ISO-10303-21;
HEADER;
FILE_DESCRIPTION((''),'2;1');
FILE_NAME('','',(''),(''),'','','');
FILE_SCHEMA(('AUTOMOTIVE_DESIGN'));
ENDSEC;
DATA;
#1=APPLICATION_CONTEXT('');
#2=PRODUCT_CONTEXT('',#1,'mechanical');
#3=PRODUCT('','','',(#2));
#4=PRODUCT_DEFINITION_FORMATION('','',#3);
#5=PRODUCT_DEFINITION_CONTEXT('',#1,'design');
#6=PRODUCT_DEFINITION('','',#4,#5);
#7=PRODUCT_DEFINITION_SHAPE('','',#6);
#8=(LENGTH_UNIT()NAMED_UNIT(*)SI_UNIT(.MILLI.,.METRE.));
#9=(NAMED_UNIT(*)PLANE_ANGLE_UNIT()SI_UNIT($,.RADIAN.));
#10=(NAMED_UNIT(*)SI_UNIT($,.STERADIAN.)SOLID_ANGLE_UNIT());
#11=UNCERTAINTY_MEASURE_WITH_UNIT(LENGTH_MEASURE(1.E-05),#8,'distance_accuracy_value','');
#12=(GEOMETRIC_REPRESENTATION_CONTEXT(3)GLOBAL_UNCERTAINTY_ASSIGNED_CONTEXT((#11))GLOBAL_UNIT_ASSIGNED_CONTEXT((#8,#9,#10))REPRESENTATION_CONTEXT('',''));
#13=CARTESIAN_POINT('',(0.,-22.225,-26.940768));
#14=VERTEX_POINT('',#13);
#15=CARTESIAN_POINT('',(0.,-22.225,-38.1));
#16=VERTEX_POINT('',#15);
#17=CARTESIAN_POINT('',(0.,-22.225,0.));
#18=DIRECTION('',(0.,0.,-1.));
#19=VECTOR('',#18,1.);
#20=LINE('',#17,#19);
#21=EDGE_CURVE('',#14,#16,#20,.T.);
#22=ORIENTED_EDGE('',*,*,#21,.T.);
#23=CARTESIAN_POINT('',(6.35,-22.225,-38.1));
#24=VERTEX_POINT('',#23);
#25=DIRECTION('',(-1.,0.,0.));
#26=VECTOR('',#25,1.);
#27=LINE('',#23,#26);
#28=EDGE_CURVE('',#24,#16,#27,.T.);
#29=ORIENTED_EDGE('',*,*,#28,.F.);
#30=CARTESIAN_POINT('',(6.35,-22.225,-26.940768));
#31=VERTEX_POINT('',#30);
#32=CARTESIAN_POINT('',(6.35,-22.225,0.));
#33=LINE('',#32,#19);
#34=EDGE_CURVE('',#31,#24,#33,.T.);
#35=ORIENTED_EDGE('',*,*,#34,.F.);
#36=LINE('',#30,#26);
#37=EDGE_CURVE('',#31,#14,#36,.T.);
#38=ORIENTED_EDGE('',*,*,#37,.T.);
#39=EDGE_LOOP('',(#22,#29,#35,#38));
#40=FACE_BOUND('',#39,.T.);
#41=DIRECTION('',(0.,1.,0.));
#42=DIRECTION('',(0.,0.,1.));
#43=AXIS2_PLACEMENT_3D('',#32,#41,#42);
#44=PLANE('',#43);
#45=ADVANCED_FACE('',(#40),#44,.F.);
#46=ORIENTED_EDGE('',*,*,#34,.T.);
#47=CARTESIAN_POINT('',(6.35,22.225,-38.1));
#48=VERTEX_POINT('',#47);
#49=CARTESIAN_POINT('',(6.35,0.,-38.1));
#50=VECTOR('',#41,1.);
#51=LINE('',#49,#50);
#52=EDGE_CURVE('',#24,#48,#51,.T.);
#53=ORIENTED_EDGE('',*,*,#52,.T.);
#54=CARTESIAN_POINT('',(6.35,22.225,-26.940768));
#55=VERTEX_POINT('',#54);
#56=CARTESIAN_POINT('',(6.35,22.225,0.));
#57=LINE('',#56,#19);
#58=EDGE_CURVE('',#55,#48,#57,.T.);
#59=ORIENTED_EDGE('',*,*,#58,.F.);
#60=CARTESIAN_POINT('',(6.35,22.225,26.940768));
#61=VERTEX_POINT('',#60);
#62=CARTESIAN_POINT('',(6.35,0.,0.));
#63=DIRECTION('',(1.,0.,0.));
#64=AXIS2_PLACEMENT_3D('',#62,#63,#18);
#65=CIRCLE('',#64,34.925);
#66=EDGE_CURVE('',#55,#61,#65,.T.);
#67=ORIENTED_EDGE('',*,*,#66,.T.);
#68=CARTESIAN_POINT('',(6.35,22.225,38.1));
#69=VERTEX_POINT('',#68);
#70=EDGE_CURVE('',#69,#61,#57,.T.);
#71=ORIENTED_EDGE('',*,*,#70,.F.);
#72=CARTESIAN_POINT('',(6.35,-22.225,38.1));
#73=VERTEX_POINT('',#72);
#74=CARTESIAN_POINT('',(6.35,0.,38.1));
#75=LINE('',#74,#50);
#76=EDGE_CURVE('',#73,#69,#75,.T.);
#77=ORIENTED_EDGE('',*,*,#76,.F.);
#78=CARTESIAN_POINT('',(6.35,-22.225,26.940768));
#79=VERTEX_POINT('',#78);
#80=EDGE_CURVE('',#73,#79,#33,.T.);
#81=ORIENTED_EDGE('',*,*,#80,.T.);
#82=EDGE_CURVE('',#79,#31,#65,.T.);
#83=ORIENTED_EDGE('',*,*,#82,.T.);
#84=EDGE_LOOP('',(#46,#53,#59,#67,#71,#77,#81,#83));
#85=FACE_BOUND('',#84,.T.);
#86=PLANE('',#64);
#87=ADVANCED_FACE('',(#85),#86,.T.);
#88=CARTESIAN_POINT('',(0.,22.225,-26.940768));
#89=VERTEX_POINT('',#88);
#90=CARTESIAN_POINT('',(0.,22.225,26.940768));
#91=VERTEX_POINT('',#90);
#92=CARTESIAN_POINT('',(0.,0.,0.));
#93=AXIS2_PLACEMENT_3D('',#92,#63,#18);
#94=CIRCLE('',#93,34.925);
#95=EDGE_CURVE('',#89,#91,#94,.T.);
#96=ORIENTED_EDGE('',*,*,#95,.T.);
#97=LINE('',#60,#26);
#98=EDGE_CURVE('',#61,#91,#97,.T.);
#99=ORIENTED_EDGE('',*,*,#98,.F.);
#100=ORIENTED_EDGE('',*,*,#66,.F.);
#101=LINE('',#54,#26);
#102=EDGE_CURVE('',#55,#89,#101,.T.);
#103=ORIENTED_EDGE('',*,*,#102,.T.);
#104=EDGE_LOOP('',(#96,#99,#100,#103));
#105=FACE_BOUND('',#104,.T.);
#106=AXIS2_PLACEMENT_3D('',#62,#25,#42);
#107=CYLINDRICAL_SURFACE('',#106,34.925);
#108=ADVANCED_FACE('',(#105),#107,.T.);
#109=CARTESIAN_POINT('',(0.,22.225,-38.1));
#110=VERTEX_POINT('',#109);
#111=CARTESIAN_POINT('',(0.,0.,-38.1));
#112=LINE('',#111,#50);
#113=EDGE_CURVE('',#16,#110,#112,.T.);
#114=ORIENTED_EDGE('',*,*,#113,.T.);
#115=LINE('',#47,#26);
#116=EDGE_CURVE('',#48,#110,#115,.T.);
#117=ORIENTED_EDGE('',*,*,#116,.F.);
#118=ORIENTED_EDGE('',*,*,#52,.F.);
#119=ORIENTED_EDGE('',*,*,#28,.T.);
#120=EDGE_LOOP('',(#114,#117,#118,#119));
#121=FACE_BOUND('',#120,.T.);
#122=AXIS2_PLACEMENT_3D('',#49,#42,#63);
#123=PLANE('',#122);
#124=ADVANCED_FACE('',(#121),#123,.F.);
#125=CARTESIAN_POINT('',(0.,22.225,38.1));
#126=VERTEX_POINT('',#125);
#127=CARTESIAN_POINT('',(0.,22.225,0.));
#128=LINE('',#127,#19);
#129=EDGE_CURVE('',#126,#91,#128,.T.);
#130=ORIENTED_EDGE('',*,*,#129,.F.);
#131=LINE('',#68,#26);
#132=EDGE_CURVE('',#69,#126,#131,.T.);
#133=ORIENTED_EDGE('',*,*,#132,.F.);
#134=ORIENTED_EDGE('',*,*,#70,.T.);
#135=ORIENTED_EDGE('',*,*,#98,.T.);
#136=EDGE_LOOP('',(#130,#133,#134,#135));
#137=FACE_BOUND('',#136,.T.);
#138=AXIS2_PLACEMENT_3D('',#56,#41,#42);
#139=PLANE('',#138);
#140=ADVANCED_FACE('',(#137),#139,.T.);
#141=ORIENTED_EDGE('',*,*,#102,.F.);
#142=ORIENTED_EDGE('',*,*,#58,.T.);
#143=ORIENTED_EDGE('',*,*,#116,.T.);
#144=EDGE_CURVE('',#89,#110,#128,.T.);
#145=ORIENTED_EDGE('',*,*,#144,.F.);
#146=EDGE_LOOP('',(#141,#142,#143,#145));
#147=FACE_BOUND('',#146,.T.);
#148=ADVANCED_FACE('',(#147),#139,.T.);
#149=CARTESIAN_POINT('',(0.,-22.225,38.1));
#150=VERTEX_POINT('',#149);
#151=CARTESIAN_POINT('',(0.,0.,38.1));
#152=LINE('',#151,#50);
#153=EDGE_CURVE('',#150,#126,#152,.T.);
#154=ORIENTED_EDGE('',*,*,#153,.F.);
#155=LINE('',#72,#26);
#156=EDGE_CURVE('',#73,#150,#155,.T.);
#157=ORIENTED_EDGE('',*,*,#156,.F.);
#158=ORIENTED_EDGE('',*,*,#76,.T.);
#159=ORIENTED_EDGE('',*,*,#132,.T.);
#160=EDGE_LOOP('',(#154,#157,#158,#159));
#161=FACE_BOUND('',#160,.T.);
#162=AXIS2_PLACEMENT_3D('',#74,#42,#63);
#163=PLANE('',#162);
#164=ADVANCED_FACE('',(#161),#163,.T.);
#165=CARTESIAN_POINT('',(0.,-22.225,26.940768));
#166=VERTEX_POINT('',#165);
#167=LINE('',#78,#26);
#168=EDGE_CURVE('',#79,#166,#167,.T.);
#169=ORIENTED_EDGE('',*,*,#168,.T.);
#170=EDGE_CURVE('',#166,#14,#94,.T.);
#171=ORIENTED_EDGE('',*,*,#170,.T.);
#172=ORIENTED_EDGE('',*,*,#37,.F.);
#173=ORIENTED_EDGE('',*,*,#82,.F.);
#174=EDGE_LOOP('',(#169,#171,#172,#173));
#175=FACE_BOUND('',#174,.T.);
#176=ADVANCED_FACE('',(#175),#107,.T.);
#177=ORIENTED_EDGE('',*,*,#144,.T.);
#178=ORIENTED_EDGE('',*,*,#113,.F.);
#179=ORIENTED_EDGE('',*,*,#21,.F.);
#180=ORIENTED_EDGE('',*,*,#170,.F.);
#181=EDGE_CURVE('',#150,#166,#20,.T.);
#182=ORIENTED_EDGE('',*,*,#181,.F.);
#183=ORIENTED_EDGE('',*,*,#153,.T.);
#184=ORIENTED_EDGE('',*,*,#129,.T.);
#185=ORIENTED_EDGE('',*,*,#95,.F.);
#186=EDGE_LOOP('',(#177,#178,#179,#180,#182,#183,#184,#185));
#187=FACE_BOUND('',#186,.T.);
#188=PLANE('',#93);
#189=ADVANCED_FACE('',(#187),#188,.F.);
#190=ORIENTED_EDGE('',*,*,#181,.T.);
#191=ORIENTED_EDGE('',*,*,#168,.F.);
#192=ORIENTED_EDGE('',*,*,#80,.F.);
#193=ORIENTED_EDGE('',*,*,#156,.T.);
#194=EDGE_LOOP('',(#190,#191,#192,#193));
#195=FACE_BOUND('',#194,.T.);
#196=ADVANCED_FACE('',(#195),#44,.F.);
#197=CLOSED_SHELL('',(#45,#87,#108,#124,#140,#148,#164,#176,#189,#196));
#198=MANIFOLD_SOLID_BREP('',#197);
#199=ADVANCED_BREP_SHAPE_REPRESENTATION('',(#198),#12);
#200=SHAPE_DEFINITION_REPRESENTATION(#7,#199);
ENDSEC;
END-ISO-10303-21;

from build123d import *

# Parameters (mm, degrees)
BOSS_EXTRUDE1_DEPTH = 6.35


with BuildPart() as part:
    # Sketch1 → Boss-Extrude1 (new body)
    with BuildSketch(Plane(origin=(0, 0, 0), x_dir=(0, 0, -1), z_dir=(1, 0, 0))):
        with BuildLine():
            ThreePointArc((-26.940768363, 22.225), (-34.925, 0), (-26.940768363, -22.225))
            Line((-26.940768363, -22.225), (26.940768363, -22.225))
            ThreePointArc((26.940768363, -22.225), (32.868388766, -11.807821347), (34.925, 0))
            ThreePointArc((34.925, 0), (32.868388766, 11.807821347), (26.940768363, 22.225))
            Line((26.940768363, 22.225), (-26.940768363, 22.225))
        make_face()
        with BuildLine():
            Line((-38.1, 22.225), (-38.1, -22.225))
            Line((-38.1, -22.225), (-26.940768363, -22.225))
            ThreePointArc((-26.940768363, -22.225), (-34.925, 0), (-26.940768363, 22.225))
            Line((-26.940768363, 22.225), (-38.1, 22.225))
        make_face()
        with BuildLine():
            ThreePointArc((26.940768363, 22.225), (0, 34.925), (-26.940768363, 22.225))
            Line((-26.940768363, 22.225), (26.940768363, 22.225))
        make_face()
        with BuildLine():
            ThreePointArc((34.925, 0), (32.868388766, -11.807821347), (26.940768363, -22.225))
            Line((26.940768363, -22.225), (38.1, -22.225))
            Line((38.1, -22.225), (38.1, 22.225))
            Line((38.1, 22.225), (26.940768363, 22.225))
            ThreePointArc((26.940768363, 22.225), (32.868388766, 11.807821347), (34.925, 0))
        make_face()
        with BuildLine():
            Line((26.940768363, -22.225), (-26.940768363, -22.225))
            ThreePointArc((-26.940768363, -22.225), (0, -34.925), (26.940768363, -22.225))
        make_face()
    extrude(amount=BOSS_EXTRUDE1_DEPTH)


solid = part.part
